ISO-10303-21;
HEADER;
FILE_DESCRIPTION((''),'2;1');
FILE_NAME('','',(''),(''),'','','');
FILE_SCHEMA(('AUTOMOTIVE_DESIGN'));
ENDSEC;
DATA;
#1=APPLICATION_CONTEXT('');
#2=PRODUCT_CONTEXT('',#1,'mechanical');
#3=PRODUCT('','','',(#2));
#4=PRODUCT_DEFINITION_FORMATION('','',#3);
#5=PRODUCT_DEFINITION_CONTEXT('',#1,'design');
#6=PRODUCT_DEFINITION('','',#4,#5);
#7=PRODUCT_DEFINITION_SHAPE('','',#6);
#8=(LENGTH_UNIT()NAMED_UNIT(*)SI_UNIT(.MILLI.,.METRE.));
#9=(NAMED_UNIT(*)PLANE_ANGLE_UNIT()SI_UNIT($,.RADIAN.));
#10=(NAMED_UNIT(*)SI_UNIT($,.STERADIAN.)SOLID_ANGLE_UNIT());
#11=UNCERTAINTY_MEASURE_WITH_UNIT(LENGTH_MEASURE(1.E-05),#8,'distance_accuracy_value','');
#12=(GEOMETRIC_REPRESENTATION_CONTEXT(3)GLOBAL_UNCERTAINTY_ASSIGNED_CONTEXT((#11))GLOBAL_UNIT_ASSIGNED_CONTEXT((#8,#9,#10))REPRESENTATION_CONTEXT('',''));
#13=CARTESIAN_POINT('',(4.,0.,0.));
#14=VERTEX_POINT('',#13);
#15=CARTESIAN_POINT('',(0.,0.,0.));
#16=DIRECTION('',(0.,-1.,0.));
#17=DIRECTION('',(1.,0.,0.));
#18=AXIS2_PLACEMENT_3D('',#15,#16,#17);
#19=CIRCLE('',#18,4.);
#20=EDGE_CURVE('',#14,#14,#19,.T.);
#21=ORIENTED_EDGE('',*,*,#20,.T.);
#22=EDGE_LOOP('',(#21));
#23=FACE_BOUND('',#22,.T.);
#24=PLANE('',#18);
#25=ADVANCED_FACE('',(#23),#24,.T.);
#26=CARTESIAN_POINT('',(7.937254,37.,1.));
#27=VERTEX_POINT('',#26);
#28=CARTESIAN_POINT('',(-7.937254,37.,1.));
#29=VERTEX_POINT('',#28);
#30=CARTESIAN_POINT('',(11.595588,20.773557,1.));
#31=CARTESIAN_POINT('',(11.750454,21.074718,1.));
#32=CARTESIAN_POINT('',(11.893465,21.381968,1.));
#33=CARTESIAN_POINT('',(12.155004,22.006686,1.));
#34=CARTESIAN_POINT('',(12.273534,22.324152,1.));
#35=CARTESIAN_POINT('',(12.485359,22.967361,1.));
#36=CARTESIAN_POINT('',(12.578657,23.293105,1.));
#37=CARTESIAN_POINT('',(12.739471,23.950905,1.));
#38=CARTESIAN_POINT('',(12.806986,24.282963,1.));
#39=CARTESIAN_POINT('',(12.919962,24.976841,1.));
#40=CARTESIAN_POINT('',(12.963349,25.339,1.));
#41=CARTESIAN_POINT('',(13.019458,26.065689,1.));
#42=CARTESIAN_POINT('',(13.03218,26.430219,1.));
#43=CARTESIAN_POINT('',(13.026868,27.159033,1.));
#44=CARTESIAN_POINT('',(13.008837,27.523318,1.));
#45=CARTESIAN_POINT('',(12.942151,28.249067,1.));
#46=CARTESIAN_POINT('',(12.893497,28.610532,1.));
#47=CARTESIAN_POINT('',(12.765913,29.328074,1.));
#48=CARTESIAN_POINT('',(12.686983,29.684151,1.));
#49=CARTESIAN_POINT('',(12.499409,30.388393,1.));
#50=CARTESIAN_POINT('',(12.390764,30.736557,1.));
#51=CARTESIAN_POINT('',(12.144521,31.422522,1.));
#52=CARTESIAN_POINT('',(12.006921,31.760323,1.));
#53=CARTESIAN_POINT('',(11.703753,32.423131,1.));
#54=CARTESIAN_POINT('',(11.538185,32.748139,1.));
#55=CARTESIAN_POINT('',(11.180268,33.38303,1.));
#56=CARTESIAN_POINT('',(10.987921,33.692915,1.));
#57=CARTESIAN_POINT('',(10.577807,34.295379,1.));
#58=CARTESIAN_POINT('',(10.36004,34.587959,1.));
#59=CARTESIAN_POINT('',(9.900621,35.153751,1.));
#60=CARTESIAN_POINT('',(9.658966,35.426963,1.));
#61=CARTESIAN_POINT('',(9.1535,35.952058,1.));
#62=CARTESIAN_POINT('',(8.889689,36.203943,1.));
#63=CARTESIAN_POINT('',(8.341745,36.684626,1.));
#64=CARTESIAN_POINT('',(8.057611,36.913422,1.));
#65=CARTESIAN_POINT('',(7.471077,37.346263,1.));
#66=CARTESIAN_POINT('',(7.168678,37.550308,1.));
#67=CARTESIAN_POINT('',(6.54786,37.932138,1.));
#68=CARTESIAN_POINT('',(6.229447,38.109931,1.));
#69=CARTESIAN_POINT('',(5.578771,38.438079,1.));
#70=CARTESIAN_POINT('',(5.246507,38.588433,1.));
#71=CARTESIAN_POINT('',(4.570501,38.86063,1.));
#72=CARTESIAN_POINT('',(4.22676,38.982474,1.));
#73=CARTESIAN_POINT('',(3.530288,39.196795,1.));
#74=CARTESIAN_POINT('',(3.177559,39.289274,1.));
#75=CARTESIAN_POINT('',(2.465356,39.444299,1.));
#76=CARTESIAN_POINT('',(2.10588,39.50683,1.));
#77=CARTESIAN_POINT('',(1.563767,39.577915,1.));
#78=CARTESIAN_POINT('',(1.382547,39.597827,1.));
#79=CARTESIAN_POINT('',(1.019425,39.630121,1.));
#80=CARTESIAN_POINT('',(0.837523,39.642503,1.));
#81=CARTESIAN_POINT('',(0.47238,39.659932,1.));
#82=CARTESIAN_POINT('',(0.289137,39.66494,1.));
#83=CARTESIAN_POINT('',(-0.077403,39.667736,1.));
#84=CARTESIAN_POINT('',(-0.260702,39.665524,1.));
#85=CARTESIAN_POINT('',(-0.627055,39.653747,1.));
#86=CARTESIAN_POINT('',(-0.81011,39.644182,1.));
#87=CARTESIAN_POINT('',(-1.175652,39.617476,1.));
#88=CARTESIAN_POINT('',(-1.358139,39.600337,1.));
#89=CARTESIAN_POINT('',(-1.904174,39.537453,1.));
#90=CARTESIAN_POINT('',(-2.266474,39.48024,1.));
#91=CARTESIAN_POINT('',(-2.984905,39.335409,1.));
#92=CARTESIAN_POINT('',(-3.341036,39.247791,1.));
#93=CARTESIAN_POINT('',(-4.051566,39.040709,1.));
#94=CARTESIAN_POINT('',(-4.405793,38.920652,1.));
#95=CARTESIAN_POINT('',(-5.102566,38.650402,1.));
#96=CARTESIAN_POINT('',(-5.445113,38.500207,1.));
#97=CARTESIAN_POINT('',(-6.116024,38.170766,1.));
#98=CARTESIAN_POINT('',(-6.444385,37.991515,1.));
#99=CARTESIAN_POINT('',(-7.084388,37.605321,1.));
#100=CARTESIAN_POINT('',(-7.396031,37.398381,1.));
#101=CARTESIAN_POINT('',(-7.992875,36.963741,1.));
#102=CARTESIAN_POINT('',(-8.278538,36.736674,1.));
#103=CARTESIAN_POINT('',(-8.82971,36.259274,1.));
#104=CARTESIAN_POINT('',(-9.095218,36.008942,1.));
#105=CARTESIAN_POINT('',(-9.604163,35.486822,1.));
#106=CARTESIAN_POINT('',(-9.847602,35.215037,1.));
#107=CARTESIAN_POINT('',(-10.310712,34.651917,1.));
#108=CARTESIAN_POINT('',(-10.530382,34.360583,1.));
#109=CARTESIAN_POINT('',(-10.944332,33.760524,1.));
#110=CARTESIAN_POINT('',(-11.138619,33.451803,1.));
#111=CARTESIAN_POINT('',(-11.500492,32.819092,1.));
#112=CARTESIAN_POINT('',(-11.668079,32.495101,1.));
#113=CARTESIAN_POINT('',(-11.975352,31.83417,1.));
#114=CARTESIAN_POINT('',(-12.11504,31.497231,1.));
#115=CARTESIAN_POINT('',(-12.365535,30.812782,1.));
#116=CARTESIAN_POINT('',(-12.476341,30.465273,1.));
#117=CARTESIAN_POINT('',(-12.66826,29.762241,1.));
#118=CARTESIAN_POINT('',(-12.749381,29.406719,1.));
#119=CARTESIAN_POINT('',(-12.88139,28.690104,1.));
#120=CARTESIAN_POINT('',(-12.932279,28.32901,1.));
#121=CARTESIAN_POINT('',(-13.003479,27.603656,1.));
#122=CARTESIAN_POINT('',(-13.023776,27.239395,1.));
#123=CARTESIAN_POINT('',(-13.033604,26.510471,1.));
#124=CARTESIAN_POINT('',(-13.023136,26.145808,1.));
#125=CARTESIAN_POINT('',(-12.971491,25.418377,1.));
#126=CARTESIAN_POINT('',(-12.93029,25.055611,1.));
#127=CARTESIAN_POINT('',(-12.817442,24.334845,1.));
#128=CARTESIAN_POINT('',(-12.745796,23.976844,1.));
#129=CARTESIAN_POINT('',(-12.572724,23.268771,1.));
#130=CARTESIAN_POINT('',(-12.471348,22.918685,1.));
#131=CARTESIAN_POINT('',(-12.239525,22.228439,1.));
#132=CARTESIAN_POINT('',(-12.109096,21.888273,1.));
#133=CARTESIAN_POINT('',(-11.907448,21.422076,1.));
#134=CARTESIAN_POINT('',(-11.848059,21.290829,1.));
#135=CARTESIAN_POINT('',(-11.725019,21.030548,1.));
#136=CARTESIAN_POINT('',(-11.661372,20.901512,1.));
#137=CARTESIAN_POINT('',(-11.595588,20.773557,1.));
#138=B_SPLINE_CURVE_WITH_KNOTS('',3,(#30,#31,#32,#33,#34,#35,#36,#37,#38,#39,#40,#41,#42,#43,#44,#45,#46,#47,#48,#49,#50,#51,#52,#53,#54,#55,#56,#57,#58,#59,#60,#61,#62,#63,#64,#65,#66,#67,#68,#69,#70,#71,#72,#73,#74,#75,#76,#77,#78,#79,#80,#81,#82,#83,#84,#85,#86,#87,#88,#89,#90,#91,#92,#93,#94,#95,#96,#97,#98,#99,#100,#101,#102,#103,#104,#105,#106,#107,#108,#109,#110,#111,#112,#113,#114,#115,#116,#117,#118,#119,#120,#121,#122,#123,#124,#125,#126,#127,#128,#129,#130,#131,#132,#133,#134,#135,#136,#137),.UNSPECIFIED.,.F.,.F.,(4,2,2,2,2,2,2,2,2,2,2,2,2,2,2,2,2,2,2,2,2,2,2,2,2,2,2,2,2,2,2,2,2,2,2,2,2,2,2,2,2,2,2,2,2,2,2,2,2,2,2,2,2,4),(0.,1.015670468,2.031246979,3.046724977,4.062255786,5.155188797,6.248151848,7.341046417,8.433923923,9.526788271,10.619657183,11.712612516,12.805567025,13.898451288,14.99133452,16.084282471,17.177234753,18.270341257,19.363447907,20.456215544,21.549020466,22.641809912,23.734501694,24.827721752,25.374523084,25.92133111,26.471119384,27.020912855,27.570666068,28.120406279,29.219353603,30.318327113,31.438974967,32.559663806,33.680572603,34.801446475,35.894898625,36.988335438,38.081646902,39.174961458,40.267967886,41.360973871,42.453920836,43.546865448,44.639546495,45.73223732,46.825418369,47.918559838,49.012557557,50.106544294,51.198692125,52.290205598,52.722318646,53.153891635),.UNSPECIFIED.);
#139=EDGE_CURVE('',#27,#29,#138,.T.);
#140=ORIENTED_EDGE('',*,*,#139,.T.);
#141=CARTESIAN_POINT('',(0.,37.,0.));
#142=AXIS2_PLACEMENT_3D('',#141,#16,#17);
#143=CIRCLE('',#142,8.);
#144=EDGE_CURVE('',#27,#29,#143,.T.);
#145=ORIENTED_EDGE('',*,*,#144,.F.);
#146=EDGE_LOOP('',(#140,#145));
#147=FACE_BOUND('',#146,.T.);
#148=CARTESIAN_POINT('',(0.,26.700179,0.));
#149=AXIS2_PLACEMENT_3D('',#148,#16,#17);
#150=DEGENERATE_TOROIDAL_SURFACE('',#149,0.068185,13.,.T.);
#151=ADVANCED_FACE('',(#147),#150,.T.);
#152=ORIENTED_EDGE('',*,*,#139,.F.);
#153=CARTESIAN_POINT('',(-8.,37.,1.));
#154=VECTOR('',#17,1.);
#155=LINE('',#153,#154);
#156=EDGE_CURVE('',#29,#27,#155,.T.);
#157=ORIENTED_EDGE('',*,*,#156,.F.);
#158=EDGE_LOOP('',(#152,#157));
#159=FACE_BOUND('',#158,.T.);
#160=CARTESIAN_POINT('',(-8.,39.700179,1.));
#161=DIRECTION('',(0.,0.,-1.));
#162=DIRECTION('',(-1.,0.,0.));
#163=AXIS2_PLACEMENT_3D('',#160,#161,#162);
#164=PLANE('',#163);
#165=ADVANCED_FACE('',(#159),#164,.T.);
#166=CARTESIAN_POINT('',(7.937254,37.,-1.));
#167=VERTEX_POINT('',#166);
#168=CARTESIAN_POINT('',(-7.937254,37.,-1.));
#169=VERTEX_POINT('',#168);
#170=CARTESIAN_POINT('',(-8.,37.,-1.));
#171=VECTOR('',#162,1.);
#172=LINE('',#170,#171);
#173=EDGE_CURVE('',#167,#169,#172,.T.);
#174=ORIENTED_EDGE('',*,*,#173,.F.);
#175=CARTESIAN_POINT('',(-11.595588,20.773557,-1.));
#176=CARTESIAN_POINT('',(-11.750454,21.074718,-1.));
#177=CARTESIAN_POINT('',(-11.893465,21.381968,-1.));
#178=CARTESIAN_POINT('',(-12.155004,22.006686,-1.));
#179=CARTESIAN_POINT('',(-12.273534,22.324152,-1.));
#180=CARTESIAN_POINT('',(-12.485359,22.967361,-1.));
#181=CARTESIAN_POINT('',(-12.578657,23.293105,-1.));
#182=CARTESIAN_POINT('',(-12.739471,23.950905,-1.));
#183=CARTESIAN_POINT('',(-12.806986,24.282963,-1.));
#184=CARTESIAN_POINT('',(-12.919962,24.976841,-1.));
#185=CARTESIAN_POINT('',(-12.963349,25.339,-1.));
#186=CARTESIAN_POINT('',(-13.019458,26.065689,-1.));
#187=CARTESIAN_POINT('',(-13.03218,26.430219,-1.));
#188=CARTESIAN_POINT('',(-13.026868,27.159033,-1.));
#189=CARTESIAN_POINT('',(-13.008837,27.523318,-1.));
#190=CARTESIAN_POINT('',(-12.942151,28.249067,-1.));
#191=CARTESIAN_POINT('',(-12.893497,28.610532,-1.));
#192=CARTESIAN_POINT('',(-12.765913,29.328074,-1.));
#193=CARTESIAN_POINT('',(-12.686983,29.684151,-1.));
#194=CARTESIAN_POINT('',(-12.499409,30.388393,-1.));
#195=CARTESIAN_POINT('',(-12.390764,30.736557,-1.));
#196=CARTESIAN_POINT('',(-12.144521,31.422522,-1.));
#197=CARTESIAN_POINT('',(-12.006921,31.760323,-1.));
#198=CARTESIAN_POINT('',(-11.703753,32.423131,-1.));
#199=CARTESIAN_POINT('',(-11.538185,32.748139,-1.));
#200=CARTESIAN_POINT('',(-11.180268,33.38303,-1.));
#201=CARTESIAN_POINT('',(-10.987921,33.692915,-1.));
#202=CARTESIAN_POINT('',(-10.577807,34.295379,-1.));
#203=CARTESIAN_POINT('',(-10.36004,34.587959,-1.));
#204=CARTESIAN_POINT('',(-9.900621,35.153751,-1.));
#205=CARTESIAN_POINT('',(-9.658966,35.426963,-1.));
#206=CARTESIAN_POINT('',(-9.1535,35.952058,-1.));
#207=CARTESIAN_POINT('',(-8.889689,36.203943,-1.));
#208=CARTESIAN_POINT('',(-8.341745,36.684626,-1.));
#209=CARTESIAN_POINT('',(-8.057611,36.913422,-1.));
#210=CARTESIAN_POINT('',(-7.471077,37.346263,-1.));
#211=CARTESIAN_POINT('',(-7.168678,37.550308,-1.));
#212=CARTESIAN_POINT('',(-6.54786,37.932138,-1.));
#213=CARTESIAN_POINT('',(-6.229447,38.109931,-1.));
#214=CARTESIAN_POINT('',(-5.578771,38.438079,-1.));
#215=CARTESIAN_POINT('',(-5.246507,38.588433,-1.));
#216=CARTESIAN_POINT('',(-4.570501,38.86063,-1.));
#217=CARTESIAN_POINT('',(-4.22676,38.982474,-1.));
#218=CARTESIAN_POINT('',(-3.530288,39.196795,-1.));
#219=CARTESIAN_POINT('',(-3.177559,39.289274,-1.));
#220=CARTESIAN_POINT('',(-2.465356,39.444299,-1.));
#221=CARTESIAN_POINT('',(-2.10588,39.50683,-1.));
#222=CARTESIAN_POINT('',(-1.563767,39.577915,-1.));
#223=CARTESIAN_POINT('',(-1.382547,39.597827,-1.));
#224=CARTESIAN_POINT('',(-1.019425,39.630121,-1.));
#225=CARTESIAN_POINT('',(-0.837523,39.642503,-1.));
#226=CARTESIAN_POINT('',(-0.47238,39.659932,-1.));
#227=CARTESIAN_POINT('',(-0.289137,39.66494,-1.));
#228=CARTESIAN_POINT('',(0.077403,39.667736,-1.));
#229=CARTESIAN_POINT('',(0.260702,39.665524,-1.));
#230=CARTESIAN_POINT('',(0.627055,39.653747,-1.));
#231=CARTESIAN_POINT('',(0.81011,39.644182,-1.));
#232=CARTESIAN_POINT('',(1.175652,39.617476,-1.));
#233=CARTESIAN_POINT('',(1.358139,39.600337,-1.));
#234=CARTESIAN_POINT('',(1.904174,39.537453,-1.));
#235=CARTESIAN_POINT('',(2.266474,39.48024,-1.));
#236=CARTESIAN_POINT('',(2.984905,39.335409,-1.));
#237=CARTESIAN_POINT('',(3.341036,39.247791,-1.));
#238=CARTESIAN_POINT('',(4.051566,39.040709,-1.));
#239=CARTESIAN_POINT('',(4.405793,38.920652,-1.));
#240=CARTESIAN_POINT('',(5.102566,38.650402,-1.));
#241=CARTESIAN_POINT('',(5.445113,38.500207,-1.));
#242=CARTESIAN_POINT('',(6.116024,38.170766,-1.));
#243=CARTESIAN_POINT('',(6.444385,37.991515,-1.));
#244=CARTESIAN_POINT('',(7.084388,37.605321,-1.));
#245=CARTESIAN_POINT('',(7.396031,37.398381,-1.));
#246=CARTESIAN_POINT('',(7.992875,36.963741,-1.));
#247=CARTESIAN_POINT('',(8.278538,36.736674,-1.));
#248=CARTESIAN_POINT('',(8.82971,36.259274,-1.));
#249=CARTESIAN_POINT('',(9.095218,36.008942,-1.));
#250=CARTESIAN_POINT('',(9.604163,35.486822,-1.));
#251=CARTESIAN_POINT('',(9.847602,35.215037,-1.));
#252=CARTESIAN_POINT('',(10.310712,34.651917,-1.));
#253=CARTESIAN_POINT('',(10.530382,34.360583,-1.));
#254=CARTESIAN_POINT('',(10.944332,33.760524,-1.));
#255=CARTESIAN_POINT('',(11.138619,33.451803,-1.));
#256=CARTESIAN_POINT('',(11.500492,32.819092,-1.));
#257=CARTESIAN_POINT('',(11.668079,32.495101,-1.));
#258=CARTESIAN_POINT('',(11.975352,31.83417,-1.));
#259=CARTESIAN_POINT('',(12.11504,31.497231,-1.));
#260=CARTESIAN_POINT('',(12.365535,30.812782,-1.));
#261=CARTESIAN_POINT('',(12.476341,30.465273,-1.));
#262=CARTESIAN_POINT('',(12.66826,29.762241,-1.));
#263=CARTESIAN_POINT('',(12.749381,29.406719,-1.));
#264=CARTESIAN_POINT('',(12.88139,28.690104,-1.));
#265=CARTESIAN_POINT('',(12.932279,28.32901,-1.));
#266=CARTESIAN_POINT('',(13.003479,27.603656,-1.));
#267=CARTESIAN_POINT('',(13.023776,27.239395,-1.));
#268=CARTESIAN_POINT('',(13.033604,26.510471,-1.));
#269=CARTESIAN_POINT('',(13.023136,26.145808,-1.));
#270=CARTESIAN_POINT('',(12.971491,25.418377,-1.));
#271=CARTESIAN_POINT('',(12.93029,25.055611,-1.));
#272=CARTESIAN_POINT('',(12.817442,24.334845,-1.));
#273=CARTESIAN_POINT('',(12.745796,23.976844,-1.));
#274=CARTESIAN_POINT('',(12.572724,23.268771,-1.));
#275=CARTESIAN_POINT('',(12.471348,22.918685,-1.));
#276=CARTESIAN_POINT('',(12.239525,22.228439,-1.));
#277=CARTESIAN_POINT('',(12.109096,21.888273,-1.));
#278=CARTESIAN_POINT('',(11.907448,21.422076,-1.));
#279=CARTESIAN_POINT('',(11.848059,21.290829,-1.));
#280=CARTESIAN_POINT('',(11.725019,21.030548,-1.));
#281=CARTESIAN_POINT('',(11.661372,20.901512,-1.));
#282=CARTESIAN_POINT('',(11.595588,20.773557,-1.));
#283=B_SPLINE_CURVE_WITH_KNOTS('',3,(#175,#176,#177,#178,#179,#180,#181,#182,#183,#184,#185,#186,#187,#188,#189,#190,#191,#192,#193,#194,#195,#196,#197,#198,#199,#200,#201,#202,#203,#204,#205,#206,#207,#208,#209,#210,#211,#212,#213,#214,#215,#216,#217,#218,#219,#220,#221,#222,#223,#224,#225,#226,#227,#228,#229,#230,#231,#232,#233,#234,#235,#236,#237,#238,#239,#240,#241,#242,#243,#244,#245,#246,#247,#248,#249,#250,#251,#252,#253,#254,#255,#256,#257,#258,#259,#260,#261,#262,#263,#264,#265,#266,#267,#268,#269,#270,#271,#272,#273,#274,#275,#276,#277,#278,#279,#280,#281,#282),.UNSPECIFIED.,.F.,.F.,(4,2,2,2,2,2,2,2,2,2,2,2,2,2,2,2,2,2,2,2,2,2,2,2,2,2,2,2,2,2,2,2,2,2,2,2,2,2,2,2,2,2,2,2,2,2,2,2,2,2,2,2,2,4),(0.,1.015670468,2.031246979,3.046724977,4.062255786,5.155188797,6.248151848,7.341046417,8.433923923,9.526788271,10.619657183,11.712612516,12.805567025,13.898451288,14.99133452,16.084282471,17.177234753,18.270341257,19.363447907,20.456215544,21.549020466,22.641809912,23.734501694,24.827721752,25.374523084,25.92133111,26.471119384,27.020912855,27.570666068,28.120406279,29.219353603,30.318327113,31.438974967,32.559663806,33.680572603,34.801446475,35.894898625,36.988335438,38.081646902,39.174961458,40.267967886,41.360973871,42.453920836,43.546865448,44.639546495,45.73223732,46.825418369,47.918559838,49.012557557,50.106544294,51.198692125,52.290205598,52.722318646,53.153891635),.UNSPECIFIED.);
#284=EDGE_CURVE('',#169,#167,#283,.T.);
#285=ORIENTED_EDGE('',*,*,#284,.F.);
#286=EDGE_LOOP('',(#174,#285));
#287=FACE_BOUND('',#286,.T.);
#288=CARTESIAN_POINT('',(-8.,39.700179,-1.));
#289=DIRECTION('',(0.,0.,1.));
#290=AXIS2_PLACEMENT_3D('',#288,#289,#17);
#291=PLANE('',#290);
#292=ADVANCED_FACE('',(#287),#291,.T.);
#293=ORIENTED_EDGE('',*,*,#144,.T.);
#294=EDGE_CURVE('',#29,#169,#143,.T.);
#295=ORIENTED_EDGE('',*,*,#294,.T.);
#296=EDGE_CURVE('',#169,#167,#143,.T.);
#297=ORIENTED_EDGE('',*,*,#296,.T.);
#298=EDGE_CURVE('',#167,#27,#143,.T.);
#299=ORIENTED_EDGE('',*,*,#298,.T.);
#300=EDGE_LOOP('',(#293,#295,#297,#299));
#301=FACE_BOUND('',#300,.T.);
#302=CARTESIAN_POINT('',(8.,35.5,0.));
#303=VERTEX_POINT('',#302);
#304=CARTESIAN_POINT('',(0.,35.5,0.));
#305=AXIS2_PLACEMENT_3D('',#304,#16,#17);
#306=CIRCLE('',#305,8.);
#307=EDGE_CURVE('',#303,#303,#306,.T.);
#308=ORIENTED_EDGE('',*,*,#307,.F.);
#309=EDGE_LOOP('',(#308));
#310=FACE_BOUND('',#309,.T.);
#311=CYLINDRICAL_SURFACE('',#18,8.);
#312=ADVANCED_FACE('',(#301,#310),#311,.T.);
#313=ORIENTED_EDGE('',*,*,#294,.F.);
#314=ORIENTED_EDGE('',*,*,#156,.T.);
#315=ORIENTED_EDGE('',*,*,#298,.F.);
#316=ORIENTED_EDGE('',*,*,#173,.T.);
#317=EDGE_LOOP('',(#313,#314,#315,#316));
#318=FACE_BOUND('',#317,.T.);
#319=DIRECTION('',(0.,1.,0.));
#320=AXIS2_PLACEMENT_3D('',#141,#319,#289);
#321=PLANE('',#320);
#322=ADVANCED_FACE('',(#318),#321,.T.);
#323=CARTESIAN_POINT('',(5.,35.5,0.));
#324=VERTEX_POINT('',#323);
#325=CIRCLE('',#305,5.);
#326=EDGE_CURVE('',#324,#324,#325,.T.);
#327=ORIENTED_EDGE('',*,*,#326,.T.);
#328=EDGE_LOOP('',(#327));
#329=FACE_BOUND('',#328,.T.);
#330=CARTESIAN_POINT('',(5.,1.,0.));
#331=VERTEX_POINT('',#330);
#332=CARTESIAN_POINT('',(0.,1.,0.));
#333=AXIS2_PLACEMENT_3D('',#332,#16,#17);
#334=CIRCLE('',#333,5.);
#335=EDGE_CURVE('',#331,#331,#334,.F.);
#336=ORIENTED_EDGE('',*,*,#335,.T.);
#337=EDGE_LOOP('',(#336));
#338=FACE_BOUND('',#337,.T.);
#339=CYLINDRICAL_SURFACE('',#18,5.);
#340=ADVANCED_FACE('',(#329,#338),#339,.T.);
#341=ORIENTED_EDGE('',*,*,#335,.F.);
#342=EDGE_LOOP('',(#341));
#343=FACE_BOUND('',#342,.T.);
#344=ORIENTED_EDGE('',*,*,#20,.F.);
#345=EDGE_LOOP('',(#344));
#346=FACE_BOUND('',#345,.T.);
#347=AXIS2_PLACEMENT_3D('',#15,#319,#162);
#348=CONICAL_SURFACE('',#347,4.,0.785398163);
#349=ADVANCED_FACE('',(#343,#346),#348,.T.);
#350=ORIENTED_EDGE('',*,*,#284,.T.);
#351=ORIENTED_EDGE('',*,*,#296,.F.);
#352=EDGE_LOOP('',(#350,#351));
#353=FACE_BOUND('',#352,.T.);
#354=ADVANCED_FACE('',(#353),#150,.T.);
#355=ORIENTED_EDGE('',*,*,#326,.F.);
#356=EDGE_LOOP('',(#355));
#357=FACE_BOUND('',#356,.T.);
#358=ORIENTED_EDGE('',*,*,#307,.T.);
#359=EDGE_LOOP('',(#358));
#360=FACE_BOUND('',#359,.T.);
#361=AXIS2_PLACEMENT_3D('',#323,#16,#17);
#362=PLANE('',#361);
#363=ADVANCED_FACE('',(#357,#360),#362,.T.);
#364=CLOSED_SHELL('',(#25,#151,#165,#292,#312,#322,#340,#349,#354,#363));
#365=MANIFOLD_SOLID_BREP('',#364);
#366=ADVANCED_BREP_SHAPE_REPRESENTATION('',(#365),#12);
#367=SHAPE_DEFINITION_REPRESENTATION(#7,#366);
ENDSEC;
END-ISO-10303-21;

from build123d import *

# Parameters (mm, degrees)
SFAZOWANIE1_SIZE           = 1
SZKIC5_W                   = 16
SZKIC5_H                   = 2
WYTNIJ_WYCI_GNI_CIE7_DEPTH = 39.691084286


with BuildPart() as part:
    # Szkic1 → Obrót1 (revolve)
    with BuildSketch(Plane.XY):
        with BuildLine():
            Line((0, 0), (5, 0))
            Line((5, 0), (5, 35.5))
            Line((5, 35.5), (8, 35.5))
            Line((8, 35.5), (8, 37))
            ThreePointArc((8, 37), (4.225307725, 39.017578445), (0, 39.7))
            Line((0, 39.7), (0, 0))
        make_face()
    revolve(axis=Axis((0, 0, 0), (0, 1, 0)))

    # Sfazowanie1
    sfazowanie1_edges = [part.edges().sort_by_distance(p)[0] for p in [
        (-5, 0, 0),
    ]]
    chamfer(sfazowanie1_edges, length=SFAZOWANIE1_SIZE)

    # Szkic5 → Wytnij-wyciągnięcie7 (cut, through all)
    with BuildSketch(Plane(origin=(0, 37, 0), x_dir=(1, 0, 0), z_dir=(0, 1, 0))):
        Rectangle(SZKIC5_W, SZKIC5_H)
    extrude(amount=WYTNIJ_WYCI_GNI_CIE7_DEPTH, mode=Mode.SUBTRACT)


solid = part.part
